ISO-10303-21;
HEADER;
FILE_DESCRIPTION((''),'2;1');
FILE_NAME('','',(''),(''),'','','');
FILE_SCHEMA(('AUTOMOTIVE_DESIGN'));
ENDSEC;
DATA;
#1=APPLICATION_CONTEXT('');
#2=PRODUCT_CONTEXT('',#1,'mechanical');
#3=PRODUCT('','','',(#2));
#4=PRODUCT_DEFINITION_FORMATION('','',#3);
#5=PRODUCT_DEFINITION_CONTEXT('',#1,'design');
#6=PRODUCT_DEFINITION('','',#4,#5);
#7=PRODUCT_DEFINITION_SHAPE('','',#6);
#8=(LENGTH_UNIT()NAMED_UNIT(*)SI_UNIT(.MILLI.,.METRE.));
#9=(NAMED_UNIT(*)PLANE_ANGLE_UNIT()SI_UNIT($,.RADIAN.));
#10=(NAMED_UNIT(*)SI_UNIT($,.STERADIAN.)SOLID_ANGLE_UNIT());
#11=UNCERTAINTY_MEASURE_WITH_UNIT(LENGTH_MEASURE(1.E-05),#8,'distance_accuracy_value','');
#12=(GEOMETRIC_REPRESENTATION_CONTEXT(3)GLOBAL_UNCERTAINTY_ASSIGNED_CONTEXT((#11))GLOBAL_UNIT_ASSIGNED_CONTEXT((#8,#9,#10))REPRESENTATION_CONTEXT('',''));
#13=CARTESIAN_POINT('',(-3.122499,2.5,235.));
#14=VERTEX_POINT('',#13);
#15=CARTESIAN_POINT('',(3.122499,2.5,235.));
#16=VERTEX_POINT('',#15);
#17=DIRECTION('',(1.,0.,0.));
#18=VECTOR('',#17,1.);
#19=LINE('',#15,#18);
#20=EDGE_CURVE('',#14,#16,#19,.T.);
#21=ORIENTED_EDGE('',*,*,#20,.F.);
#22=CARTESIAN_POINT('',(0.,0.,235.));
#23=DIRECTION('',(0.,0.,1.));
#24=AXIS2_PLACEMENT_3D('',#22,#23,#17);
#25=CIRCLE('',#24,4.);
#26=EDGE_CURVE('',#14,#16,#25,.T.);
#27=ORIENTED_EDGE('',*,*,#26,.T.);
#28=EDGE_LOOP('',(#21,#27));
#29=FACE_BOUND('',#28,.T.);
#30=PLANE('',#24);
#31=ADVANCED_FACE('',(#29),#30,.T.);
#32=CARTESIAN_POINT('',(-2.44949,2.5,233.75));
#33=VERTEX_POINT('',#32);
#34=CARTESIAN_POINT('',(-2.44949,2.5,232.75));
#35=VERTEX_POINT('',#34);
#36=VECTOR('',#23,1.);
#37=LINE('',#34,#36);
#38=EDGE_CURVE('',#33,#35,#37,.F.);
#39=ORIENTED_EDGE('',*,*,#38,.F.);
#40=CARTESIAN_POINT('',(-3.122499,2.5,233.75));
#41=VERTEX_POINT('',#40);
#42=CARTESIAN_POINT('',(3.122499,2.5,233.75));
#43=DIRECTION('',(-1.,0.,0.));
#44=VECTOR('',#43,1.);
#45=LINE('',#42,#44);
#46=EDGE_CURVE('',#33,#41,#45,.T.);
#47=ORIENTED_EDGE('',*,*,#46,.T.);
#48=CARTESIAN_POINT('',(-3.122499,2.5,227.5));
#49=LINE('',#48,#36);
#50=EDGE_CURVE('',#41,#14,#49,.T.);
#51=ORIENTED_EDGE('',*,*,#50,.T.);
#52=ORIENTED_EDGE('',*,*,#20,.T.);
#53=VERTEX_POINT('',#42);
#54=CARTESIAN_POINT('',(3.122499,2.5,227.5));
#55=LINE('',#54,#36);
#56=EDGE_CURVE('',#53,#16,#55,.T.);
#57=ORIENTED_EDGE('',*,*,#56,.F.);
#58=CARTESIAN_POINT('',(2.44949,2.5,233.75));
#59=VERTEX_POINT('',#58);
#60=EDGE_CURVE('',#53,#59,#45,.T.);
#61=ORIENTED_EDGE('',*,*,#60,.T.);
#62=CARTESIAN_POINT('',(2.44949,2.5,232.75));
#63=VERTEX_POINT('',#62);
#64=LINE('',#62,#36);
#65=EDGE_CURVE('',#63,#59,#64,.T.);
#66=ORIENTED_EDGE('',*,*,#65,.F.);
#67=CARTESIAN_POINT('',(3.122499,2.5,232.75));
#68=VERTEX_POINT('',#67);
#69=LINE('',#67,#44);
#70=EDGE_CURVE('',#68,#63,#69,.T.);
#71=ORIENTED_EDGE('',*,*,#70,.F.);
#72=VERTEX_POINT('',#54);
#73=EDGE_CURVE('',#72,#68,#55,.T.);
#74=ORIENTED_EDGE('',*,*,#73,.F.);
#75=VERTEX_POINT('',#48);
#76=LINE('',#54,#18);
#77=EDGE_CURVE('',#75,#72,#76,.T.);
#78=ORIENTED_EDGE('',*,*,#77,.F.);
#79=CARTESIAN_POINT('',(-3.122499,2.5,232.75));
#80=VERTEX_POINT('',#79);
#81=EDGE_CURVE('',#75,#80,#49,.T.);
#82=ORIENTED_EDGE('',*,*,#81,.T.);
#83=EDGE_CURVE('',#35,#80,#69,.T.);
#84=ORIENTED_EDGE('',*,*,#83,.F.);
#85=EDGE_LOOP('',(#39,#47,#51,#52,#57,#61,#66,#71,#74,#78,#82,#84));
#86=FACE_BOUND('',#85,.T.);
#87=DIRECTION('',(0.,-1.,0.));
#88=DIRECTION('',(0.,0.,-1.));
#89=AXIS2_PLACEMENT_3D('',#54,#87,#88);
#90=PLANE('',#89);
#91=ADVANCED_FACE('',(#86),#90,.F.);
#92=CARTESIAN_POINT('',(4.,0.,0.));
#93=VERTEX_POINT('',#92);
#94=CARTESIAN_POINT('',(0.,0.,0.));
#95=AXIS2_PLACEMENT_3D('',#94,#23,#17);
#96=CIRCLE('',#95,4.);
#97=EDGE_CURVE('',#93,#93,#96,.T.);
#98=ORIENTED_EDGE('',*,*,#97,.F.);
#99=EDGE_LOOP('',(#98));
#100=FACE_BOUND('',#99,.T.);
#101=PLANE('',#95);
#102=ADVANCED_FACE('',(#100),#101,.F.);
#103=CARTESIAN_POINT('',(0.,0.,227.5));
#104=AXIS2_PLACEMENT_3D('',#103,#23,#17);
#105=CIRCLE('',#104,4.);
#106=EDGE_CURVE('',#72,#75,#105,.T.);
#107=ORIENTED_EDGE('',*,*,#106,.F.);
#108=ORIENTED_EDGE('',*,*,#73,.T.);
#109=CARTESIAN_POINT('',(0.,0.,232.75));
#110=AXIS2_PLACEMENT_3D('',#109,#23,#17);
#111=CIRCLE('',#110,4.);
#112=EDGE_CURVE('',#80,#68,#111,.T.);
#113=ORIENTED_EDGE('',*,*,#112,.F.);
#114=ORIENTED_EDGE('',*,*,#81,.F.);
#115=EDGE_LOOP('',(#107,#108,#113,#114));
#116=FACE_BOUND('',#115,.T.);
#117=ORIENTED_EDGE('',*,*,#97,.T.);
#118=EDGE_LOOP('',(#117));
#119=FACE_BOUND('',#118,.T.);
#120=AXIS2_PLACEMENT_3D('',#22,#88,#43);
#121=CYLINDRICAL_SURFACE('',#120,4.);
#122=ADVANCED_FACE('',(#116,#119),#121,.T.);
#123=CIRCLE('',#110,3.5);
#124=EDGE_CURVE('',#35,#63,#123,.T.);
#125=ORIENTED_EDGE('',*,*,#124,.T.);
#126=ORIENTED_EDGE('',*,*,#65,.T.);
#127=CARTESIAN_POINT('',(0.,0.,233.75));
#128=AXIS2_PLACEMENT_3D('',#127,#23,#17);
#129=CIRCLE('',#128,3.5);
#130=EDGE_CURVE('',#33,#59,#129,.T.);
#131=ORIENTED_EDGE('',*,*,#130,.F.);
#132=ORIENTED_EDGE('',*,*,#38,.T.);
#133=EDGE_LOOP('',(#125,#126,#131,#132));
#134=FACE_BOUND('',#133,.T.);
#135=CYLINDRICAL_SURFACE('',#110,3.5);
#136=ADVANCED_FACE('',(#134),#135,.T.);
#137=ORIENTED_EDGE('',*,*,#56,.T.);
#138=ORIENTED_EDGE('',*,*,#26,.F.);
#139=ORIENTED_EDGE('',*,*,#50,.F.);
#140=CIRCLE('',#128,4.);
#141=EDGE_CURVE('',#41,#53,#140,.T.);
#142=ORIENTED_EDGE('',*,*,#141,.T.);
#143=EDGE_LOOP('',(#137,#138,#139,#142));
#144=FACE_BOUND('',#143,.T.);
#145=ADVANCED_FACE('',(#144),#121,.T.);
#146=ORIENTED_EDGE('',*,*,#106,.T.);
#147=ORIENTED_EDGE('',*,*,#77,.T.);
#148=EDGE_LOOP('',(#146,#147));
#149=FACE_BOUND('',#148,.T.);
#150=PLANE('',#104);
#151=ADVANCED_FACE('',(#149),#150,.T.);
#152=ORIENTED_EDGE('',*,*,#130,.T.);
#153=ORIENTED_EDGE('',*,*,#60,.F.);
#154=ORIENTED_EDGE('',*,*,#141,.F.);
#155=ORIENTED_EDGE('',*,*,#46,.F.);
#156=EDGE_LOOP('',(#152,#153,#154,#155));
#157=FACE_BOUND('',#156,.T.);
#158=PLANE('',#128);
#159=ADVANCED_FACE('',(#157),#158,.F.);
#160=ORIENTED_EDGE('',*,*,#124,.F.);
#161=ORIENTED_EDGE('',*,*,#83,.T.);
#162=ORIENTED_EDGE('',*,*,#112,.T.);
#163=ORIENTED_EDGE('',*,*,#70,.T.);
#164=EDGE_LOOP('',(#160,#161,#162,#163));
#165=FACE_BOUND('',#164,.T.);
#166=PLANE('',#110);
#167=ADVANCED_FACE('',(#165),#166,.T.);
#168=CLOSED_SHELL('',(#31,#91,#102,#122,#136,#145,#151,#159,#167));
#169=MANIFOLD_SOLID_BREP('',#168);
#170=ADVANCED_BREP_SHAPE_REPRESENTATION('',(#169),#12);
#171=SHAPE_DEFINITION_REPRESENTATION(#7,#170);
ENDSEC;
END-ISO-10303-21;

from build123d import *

# Parameters (mm, degrees)
SKETCH1_R           = 4
BOSS_EXTRUDE1_DEPTH = 235
CUT_EXTRUDE1_DEPTH  = 7.5
SKETCH3_R           = 4
SKETCH3_R_2         = 3.5
CUT_EXTRUDE2_DEPTH  = 1


with BuildPart() as part:
    # Sketch1 → Boss-Extrude1 (new body)
    with BuildSketch(Plane.XY):
        Circle(SKETCH1_R)
    extrude(amount=BOSS_EXTRUDE1_DEPTH)

    # Sketch2 → Cut-Extrude1 (cut)
    with BuildSketch(Plane.XY.offset(235)):
        with BuildLine():
            Line((3.122498999, 2.5), (-3.122498999, 2.5))
            ThreePointArc((-3.122498999, 2.5), (0, 4), (3.122498999, 2.5))
        make_face()
    extrude(amount=-CUT_EXTRUDE1_DEPTH, mode=Mode.SUBTRACT)

    # Sketch3 → Cut-Extrude2 (cut)
    with BuildSketch(Plane.XY.offset(233.75)):
        Circle(SKETCH3_R)
        Circle(SKETCH3_R_2, mode=Mode.SUBTRACT)
    extrude(amount=-CUT_EXTRUDE2_DEPTH, mode=Mode.SUBTRACT)


solid = part.part
